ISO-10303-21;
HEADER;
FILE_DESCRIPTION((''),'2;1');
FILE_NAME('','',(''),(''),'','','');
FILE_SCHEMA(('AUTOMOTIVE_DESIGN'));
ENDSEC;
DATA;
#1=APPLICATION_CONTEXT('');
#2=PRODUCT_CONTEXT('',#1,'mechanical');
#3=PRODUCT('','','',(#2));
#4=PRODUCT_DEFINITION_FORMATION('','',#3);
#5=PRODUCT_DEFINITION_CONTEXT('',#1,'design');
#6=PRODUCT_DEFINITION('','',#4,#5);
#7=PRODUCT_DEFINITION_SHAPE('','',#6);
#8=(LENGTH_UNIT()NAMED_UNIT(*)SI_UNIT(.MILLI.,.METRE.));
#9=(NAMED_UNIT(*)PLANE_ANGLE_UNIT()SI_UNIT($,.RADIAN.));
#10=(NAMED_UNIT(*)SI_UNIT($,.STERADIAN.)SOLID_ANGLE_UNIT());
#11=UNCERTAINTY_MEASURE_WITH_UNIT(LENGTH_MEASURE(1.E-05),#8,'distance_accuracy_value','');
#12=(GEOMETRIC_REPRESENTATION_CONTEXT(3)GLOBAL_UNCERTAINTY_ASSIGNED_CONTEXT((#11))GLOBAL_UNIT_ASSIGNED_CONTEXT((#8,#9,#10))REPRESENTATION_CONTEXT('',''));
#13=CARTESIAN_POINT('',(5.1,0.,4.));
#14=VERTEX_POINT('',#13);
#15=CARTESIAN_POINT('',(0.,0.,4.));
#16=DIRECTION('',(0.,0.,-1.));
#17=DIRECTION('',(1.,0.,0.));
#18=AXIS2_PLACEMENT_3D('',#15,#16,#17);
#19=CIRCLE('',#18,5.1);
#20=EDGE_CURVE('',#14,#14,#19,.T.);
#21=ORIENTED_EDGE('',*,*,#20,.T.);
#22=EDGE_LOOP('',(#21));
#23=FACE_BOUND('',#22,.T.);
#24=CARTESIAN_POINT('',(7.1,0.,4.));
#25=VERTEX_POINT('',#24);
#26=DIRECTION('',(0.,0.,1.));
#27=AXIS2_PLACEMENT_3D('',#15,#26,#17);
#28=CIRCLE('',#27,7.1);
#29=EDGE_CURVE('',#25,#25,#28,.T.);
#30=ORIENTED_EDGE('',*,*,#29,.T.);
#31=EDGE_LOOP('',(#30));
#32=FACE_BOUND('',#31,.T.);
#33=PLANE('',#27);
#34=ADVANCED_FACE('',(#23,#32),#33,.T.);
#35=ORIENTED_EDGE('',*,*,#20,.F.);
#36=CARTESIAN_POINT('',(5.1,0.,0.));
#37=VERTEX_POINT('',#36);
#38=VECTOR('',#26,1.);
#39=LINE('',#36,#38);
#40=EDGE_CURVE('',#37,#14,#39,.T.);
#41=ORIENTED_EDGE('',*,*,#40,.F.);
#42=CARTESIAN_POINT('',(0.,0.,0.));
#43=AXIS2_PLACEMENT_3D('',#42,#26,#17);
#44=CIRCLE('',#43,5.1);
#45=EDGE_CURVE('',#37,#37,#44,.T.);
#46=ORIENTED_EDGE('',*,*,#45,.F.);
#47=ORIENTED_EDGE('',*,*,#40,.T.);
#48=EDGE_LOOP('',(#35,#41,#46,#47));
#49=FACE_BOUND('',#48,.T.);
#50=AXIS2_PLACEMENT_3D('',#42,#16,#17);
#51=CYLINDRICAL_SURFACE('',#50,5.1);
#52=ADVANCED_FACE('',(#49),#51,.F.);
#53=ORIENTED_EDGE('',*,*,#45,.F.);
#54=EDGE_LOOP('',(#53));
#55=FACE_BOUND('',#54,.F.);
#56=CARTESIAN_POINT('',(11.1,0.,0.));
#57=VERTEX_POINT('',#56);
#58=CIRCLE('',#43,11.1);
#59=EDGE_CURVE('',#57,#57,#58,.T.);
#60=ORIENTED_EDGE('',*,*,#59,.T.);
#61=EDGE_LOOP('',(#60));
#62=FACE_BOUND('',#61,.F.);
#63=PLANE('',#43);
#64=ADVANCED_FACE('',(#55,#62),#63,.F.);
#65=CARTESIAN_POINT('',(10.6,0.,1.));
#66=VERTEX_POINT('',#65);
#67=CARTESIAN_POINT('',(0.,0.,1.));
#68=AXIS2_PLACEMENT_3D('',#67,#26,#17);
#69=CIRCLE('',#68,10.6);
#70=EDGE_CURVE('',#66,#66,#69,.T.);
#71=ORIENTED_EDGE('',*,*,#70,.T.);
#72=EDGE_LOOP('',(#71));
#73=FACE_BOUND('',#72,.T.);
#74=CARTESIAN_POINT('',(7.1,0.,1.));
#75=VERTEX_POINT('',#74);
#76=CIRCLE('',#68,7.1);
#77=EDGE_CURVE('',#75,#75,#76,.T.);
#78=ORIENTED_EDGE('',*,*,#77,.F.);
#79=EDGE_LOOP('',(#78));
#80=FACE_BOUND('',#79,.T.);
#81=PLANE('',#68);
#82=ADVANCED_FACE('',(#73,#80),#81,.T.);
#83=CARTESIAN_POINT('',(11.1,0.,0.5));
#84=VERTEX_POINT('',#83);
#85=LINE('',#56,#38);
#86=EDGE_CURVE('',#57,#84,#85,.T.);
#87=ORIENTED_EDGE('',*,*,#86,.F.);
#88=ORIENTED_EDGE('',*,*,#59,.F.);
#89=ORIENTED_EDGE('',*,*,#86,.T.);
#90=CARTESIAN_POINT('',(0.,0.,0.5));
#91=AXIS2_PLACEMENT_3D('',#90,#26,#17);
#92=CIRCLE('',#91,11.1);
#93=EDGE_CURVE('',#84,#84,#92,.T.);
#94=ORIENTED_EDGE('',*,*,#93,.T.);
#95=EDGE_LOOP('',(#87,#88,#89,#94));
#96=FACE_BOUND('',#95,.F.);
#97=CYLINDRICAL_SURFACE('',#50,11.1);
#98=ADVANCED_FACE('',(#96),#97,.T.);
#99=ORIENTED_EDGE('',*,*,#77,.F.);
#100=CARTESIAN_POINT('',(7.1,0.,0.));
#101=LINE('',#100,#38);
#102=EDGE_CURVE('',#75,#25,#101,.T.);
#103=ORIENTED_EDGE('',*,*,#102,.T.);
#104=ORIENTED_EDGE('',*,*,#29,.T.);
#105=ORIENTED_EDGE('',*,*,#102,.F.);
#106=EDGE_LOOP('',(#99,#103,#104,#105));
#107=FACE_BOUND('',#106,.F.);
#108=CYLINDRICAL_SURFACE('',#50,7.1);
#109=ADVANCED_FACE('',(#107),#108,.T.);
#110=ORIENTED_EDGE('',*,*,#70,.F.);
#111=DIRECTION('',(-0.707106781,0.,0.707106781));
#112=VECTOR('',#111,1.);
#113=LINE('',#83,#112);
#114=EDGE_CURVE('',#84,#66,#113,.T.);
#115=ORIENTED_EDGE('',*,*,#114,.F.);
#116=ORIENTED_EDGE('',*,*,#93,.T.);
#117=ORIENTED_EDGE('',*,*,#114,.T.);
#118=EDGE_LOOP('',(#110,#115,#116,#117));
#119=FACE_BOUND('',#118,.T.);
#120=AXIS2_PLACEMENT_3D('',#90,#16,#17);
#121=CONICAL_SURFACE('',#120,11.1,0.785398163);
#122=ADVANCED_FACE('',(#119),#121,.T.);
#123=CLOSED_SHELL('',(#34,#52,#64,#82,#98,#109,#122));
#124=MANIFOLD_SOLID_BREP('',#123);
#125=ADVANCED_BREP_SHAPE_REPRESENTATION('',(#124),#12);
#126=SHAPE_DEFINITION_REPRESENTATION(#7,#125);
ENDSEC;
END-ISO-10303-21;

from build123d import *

# Parameters (mm, degrees)
F0_R     = 7.1
F0_R_2   = 5.1
F0_R_3   = 1.6
F1_DEPTH = 4
F2_DEPTH = 8.2
F0_R_4   = 11.1
F3_DEPTH = 1
F4_SIZE  = 0.5


with BuildPart() as f1:
    # F0 (on Top) → F1 (new body)
    with BuildSketch(Plane.XY):
        Circle(F0_R)
        Circle(F0_R_2, mode=Mode.SUBTRACT)
        Circle(F0_R_2)
        Circle(F0_R_3, mode=Mode.SUBTRACT)
    extrude(amount=F1_DEPTH)

    # F0 (on Top) → F2 (cut)
    with BuildSketch(Plane.XY):
        Circle(F0_R_2)
        Circle(F0_R_3, mode=Mode.SUBTRACT)
    extrude(amount=F2_DEPTH, mode=Mode.SUBTRACT)

    # F0 (on Top) → F3 (join)
    with BuildSketch(Plane.XY):
        Circle(F0_R_4)
        Circle(F0_R, mode=Mode.SUBTRACT)
    extrude(amount=F3_DEPTH)

    # F4
    f4_edges = [f1.edges().sort_by_distance(p)[0] for p in [
        (-11.1, 0, 1),
    ]]
    chamfer(f4_edges, length=F4_SIZE)


solid = f1.part
